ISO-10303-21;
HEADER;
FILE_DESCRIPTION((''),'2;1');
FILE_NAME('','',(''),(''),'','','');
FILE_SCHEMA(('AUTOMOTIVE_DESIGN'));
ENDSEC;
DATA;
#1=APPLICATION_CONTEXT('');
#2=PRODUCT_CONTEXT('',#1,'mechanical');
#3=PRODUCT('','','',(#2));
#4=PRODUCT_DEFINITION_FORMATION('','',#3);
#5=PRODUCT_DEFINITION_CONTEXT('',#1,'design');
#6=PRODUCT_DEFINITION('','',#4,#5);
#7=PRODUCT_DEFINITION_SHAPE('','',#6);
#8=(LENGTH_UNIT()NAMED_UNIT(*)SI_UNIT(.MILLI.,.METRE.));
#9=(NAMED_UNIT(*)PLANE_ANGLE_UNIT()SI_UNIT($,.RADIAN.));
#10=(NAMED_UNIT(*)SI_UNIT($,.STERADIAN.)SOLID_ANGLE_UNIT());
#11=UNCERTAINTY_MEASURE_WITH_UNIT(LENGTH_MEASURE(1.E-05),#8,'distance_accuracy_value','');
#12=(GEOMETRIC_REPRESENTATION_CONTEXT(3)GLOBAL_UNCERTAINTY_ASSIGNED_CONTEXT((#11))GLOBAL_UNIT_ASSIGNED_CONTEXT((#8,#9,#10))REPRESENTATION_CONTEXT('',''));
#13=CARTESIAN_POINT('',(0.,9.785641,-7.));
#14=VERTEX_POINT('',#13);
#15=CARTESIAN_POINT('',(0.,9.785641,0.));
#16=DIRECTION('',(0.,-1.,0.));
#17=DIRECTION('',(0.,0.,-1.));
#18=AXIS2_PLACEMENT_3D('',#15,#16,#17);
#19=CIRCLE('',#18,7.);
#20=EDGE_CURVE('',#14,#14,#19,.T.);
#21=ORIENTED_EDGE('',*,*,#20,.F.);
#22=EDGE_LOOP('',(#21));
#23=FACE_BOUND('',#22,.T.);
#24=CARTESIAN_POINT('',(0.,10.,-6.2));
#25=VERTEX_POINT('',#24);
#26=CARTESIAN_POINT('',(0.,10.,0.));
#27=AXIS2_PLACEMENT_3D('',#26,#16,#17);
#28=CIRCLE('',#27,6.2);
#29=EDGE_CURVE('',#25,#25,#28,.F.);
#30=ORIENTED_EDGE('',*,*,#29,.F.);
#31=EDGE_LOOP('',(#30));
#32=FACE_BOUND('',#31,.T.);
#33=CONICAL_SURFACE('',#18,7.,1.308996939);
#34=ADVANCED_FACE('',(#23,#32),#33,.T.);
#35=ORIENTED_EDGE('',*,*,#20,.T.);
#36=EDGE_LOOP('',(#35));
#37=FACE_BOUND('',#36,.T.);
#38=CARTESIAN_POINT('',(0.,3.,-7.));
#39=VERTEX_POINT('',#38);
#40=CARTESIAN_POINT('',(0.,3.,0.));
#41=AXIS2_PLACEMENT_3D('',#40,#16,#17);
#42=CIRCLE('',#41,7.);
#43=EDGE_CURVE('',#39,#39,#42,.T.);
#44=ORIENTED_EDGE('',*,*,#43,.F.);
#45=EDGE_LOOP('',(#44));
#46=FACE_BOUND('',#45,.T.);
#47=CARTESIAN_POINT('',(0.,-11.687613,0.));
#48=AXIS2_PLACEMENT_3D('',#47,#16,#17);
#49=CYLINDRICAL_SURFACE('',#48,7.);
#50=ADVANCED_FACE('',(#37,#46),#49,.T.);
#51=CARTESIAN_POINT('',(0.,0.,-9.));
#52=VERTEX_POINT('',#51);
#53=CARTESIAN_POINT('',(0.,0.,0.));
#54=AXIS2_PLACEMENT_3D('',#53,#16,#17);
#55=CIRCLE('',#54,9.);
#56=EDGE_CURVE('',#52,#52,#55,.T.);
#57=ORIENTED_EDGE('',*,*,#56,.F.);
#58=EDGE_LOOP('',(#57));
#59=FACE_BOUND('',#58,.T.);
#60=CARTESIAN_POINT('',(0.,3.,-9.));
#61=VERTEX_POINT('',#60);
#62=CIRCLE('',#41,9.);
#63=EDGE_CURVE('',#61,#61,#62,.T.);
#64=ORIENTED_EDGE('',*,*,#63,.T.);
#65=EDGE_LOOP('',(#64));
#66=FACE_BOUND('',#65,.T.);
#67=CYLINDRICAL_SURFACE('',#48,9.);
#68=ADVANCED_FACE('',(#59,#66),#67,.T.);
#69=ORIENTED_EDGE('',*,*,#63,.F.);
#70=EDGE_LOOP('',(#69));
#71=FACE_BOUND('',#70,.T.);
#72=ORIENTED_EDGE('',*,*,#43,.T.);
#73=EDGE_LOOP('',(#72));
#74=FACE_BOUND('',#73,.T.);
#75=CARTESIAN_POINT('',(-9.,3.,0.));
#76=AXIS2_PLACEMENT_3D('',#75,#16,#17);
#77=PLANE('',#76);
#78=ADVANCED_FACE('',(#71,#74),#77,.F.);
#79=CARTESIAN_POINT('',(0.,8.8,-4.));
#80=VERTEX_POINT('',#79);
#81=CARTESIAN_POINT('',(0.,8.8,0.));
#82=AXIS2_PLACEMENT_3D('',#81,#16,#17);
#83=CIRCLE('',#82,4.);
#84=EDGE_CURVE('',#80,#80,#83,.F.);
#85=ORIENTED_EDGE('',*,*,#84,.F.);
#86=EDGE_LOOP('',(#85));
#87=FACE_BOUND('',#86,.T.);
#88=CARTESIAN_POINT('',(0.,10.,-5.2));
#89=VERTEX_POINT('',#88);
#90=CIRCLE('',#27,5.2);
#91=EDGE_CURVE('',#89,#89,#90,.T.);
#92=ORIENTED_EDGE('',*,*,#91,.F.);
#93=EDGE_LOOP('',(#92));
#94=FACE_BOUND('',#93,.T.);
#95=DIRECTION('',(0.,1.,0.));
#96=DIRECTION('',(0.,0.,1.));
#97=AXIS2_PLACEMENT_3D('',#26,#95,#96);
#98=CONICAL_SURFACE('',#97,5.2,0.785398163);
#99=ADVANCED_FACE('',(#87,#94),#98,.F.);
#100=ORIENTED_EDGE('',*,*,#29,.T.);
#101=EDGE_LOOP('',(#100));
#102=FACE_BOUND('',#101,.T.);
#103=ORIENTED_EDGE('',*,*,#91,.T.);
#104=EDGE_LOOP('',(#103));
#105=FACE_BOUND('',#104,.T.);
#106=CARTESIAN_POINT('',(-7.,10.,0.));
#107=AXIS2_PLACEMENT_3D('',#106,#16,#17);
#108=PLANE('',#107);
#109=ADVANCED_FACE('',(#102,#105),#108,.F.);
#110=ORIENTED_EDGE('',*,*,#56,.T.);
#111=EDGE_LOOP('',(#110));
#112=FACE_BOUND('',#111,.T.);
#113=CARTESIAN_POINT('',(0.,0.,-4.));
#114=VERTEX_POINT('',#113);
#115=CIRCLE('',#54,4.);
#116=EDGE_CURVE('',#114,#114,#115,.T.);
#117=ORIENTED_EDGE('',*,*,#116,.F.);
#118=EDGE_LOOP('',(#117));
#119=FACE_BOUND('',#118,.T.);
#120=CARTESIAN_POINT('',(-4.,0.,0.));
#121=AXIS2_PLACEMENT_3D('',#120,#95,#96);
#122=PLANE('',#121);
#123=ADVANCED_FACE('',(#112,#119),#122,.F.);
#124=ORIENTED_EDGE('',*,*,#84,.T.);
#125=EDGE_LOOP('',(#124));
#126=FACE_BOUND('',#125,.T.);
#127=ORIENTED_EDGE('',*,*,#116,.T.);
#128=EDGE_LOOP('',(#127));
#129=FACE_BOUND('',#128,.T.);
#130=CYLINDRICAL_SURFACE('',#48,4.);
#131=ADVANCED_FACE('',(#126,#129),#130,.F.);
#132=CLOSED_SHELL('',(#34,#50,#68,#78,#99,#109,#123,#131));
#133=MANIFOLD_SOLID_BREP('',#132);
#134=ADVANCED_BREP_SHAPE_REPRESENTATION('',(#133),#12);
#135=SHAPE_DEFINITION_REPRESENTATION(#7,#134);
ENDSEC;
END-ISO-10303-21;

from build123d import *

# Parameters (mm, degrees)
CHAMFER_1_SIZE  = 0.8
CHAMFER_1_SIZE2 = 0.214359354
CHAMFER_2_SIZE  = 1.2


with BuildPart() as part:
    # Эскиз3 → Повернуть1 (revolve)
    with BuildSketch(Plane.XY):
        Polygon((-4, 0), (-9, 0), (-9, 3), (-7, 3), (-7, 10), (-4, 10), align=None)
    revolve(axis=Axis((0, -11.687612648, 0), (0, 1, 0)))

    # Фаска1
    chamfer_1_edges = [part.edges().sort_by_distance(p)[0] for p in [
        (7, 10, 0),
    ]]
    chamfer_1_side = [part.faces().sort_by_distance(p)[0] for p in [
        (6.802010101, 10, 0),
    ]]
    chamfer(chamfer_1_edges, length=CHAMFER_1_SIZE, length2=CHAMFER_1_SIZE2, reference=chamfer_1_side[0])

    # Фаска2
    chamfer_2_edges = [part.edges().sort_by_distance(p)[0] for p in [
        (4, 10, 0),
    ]]
    chamfer(chamfer_2_edges, length=CHAMFER_2_SIZE)


solid = part.part
